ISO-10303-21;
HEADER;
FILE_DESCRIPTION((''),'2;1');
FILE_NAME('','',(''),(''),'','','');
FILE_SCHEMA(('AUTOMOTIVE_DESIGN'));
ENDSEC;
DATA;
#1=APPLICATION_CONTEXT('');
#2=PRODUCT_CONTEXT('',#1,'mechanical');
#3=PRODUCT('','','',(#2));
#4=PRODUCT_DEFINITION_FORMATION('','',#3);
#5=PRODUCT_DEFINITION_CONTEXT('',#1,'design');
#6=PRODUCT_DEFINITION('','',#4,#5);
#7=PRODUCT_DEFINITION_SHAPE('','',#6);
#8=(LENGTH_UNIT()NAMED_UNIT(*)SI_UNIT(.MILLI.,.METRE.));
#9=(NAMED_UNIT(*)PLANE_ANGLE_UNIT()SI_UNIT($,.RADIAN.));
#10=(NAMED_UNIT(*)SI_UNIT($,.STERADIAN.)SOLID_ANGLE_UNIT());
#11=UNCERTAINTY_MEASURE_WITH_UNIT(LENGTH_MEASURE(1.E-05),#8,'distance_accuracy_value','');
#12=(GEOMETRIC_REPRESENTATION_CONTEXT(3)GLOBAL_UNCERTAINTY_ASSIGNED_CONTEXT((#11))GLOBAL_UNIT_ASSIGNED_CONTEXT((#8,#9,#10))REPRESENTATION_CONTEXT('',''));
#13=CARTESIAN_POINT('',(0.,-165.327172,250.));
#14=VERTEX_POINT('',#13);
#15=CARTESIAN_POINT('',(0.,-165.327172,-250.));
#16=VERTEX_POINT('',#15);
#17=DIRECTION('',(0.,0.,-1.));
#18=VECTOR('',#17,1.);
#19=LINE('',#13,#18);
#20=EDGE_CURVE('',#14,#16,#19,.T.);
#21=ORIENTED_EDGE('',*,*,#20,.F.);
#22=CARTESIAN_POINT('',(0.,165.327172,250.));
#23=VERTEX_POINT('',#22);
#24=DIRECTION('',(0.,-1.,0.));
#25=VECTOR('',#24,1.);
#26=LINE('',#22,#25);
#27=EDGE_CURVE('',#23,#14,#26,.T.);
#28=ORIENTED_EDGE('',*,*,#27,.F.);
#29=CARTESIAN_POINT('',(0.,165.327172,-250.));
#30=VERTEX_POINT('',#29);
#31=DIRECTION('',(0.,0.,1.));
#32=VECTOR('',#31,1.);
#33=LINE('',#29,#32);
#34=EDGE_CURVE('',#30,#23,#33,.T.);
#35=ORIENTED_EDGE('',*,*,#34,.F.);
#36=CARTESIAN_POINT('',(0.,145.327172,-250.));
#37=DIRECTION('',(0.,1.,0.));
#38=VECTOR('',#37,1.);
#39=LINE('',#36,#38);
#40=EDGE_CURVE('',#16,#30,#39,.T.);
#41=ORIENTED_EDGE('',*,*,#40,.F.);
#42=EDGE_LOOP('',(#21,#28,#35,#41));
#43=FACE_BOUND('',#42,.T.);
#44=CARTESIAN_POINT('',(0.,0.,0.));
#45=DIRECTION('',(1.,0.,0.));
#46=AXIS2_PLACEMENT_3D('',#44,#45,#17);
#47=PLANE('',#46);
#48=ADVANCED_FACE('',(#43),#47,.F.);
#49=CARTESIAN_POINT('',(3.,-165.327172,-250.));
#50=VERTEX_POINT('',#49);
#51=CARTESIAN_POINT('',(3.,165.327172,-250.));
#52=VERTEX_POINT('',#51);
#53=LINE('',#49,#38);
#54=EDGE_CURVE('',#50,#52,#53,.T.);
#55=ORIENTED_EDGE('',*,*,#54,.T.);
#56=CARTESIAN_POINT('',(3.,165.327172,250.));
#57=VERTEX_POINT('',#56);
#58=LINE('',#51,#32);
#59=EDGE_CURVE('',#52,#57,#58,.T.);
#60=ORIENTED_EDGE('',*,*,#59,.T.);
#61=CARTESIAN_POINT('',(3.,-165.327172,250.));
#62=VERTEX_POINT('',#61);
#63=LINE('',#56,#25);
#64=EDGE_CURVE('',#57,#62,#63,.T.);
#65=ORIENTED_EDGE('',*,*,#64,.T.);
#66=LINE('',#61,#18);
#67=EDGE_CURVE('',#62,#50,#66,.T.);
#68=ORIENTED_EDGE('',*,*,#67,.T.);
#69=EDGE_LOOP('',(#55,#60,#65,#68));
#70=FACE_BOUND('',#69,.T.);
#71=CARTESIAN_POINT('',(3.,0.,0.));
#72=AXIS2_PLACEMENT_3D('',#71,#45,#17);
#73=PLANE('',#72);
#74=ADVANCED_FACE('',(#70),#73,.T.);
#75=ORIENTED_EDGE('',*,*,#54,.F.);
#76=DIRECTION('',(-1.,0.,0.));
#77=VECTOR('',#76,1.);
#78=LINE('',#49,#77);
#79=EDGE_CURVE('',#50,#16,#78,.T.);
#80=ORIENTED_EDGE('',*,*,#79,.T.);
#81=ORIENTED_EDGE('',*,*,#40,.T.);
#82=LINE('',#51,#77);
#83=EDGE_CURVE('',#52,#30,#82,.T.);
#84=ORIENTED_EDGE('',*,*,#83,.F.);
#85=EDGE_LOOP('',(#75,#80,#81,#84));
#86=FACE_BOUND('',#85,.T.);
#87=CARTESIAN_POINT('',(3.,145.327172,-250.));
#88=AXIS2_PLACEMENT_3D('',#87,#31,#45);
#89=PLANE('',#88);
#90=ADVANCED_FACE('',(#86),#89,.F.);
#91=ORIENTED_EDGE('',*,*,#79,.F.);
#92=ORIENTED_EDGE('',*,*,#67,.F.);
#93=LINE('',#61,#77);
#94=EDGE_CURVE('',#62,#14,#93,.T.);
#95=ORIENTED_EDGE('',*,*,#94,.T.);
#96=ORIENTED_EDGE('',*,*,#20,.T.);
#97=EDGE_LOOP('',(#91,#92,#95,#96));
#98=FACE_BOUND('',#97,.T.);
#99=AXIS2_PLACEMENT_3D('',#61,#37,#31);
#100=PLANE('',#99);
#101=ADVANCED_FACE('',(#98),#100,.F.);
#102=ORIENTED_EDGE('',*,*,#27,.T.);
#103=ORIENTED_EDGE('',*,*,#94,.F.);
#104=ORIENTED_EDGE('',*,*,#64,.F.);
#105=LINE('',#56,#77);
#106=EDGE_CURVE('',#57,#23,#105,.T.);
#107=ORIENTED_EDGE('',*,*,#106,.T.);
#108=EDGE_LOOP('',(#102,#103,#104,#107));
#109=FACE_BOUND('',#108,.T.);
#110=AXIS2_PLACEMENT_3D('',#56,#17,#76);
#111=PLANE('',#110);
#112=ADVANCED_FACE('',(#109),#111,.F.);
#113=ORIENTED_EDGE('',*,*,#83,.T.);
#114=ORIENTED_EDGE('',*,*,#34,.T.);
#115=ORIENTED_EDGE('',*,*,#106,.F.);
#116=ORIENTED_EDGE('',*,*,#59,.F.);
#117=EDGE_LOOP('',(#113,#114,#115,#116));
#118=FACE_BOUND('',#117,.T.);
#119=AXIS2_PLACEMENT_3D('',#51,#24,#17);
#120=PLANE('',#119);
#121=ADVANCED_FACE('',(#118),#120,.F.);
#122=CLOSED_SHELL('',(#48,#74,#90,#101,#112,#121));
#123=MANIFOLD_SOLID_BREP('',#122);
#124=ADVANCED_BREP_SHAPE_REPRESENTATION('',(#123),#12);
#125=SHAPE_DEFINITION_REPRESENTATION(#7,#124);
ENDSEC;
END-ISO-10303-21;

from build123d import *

# Parameters (mm, degrees)
BOSS_EXTRUDE1_DEPTH = 3


with BuildPart() as part:
    # Sketch1 → Boss-Extrude1 (new body)
    with BuildSketch(Plane(origin=(0, 0, 0), x_dir=(0, 0, -1), z_dir=(1, 0, 0))):
        Polygon((250, 145.327172392), (250, 165.327172392), (-250, 165.327172392), (-250, -165.327172392), (250, -165.327172392), align=None)
    extrude(amount=BOSS_EXTRUDE1_DEPTH)


solid = part.part
